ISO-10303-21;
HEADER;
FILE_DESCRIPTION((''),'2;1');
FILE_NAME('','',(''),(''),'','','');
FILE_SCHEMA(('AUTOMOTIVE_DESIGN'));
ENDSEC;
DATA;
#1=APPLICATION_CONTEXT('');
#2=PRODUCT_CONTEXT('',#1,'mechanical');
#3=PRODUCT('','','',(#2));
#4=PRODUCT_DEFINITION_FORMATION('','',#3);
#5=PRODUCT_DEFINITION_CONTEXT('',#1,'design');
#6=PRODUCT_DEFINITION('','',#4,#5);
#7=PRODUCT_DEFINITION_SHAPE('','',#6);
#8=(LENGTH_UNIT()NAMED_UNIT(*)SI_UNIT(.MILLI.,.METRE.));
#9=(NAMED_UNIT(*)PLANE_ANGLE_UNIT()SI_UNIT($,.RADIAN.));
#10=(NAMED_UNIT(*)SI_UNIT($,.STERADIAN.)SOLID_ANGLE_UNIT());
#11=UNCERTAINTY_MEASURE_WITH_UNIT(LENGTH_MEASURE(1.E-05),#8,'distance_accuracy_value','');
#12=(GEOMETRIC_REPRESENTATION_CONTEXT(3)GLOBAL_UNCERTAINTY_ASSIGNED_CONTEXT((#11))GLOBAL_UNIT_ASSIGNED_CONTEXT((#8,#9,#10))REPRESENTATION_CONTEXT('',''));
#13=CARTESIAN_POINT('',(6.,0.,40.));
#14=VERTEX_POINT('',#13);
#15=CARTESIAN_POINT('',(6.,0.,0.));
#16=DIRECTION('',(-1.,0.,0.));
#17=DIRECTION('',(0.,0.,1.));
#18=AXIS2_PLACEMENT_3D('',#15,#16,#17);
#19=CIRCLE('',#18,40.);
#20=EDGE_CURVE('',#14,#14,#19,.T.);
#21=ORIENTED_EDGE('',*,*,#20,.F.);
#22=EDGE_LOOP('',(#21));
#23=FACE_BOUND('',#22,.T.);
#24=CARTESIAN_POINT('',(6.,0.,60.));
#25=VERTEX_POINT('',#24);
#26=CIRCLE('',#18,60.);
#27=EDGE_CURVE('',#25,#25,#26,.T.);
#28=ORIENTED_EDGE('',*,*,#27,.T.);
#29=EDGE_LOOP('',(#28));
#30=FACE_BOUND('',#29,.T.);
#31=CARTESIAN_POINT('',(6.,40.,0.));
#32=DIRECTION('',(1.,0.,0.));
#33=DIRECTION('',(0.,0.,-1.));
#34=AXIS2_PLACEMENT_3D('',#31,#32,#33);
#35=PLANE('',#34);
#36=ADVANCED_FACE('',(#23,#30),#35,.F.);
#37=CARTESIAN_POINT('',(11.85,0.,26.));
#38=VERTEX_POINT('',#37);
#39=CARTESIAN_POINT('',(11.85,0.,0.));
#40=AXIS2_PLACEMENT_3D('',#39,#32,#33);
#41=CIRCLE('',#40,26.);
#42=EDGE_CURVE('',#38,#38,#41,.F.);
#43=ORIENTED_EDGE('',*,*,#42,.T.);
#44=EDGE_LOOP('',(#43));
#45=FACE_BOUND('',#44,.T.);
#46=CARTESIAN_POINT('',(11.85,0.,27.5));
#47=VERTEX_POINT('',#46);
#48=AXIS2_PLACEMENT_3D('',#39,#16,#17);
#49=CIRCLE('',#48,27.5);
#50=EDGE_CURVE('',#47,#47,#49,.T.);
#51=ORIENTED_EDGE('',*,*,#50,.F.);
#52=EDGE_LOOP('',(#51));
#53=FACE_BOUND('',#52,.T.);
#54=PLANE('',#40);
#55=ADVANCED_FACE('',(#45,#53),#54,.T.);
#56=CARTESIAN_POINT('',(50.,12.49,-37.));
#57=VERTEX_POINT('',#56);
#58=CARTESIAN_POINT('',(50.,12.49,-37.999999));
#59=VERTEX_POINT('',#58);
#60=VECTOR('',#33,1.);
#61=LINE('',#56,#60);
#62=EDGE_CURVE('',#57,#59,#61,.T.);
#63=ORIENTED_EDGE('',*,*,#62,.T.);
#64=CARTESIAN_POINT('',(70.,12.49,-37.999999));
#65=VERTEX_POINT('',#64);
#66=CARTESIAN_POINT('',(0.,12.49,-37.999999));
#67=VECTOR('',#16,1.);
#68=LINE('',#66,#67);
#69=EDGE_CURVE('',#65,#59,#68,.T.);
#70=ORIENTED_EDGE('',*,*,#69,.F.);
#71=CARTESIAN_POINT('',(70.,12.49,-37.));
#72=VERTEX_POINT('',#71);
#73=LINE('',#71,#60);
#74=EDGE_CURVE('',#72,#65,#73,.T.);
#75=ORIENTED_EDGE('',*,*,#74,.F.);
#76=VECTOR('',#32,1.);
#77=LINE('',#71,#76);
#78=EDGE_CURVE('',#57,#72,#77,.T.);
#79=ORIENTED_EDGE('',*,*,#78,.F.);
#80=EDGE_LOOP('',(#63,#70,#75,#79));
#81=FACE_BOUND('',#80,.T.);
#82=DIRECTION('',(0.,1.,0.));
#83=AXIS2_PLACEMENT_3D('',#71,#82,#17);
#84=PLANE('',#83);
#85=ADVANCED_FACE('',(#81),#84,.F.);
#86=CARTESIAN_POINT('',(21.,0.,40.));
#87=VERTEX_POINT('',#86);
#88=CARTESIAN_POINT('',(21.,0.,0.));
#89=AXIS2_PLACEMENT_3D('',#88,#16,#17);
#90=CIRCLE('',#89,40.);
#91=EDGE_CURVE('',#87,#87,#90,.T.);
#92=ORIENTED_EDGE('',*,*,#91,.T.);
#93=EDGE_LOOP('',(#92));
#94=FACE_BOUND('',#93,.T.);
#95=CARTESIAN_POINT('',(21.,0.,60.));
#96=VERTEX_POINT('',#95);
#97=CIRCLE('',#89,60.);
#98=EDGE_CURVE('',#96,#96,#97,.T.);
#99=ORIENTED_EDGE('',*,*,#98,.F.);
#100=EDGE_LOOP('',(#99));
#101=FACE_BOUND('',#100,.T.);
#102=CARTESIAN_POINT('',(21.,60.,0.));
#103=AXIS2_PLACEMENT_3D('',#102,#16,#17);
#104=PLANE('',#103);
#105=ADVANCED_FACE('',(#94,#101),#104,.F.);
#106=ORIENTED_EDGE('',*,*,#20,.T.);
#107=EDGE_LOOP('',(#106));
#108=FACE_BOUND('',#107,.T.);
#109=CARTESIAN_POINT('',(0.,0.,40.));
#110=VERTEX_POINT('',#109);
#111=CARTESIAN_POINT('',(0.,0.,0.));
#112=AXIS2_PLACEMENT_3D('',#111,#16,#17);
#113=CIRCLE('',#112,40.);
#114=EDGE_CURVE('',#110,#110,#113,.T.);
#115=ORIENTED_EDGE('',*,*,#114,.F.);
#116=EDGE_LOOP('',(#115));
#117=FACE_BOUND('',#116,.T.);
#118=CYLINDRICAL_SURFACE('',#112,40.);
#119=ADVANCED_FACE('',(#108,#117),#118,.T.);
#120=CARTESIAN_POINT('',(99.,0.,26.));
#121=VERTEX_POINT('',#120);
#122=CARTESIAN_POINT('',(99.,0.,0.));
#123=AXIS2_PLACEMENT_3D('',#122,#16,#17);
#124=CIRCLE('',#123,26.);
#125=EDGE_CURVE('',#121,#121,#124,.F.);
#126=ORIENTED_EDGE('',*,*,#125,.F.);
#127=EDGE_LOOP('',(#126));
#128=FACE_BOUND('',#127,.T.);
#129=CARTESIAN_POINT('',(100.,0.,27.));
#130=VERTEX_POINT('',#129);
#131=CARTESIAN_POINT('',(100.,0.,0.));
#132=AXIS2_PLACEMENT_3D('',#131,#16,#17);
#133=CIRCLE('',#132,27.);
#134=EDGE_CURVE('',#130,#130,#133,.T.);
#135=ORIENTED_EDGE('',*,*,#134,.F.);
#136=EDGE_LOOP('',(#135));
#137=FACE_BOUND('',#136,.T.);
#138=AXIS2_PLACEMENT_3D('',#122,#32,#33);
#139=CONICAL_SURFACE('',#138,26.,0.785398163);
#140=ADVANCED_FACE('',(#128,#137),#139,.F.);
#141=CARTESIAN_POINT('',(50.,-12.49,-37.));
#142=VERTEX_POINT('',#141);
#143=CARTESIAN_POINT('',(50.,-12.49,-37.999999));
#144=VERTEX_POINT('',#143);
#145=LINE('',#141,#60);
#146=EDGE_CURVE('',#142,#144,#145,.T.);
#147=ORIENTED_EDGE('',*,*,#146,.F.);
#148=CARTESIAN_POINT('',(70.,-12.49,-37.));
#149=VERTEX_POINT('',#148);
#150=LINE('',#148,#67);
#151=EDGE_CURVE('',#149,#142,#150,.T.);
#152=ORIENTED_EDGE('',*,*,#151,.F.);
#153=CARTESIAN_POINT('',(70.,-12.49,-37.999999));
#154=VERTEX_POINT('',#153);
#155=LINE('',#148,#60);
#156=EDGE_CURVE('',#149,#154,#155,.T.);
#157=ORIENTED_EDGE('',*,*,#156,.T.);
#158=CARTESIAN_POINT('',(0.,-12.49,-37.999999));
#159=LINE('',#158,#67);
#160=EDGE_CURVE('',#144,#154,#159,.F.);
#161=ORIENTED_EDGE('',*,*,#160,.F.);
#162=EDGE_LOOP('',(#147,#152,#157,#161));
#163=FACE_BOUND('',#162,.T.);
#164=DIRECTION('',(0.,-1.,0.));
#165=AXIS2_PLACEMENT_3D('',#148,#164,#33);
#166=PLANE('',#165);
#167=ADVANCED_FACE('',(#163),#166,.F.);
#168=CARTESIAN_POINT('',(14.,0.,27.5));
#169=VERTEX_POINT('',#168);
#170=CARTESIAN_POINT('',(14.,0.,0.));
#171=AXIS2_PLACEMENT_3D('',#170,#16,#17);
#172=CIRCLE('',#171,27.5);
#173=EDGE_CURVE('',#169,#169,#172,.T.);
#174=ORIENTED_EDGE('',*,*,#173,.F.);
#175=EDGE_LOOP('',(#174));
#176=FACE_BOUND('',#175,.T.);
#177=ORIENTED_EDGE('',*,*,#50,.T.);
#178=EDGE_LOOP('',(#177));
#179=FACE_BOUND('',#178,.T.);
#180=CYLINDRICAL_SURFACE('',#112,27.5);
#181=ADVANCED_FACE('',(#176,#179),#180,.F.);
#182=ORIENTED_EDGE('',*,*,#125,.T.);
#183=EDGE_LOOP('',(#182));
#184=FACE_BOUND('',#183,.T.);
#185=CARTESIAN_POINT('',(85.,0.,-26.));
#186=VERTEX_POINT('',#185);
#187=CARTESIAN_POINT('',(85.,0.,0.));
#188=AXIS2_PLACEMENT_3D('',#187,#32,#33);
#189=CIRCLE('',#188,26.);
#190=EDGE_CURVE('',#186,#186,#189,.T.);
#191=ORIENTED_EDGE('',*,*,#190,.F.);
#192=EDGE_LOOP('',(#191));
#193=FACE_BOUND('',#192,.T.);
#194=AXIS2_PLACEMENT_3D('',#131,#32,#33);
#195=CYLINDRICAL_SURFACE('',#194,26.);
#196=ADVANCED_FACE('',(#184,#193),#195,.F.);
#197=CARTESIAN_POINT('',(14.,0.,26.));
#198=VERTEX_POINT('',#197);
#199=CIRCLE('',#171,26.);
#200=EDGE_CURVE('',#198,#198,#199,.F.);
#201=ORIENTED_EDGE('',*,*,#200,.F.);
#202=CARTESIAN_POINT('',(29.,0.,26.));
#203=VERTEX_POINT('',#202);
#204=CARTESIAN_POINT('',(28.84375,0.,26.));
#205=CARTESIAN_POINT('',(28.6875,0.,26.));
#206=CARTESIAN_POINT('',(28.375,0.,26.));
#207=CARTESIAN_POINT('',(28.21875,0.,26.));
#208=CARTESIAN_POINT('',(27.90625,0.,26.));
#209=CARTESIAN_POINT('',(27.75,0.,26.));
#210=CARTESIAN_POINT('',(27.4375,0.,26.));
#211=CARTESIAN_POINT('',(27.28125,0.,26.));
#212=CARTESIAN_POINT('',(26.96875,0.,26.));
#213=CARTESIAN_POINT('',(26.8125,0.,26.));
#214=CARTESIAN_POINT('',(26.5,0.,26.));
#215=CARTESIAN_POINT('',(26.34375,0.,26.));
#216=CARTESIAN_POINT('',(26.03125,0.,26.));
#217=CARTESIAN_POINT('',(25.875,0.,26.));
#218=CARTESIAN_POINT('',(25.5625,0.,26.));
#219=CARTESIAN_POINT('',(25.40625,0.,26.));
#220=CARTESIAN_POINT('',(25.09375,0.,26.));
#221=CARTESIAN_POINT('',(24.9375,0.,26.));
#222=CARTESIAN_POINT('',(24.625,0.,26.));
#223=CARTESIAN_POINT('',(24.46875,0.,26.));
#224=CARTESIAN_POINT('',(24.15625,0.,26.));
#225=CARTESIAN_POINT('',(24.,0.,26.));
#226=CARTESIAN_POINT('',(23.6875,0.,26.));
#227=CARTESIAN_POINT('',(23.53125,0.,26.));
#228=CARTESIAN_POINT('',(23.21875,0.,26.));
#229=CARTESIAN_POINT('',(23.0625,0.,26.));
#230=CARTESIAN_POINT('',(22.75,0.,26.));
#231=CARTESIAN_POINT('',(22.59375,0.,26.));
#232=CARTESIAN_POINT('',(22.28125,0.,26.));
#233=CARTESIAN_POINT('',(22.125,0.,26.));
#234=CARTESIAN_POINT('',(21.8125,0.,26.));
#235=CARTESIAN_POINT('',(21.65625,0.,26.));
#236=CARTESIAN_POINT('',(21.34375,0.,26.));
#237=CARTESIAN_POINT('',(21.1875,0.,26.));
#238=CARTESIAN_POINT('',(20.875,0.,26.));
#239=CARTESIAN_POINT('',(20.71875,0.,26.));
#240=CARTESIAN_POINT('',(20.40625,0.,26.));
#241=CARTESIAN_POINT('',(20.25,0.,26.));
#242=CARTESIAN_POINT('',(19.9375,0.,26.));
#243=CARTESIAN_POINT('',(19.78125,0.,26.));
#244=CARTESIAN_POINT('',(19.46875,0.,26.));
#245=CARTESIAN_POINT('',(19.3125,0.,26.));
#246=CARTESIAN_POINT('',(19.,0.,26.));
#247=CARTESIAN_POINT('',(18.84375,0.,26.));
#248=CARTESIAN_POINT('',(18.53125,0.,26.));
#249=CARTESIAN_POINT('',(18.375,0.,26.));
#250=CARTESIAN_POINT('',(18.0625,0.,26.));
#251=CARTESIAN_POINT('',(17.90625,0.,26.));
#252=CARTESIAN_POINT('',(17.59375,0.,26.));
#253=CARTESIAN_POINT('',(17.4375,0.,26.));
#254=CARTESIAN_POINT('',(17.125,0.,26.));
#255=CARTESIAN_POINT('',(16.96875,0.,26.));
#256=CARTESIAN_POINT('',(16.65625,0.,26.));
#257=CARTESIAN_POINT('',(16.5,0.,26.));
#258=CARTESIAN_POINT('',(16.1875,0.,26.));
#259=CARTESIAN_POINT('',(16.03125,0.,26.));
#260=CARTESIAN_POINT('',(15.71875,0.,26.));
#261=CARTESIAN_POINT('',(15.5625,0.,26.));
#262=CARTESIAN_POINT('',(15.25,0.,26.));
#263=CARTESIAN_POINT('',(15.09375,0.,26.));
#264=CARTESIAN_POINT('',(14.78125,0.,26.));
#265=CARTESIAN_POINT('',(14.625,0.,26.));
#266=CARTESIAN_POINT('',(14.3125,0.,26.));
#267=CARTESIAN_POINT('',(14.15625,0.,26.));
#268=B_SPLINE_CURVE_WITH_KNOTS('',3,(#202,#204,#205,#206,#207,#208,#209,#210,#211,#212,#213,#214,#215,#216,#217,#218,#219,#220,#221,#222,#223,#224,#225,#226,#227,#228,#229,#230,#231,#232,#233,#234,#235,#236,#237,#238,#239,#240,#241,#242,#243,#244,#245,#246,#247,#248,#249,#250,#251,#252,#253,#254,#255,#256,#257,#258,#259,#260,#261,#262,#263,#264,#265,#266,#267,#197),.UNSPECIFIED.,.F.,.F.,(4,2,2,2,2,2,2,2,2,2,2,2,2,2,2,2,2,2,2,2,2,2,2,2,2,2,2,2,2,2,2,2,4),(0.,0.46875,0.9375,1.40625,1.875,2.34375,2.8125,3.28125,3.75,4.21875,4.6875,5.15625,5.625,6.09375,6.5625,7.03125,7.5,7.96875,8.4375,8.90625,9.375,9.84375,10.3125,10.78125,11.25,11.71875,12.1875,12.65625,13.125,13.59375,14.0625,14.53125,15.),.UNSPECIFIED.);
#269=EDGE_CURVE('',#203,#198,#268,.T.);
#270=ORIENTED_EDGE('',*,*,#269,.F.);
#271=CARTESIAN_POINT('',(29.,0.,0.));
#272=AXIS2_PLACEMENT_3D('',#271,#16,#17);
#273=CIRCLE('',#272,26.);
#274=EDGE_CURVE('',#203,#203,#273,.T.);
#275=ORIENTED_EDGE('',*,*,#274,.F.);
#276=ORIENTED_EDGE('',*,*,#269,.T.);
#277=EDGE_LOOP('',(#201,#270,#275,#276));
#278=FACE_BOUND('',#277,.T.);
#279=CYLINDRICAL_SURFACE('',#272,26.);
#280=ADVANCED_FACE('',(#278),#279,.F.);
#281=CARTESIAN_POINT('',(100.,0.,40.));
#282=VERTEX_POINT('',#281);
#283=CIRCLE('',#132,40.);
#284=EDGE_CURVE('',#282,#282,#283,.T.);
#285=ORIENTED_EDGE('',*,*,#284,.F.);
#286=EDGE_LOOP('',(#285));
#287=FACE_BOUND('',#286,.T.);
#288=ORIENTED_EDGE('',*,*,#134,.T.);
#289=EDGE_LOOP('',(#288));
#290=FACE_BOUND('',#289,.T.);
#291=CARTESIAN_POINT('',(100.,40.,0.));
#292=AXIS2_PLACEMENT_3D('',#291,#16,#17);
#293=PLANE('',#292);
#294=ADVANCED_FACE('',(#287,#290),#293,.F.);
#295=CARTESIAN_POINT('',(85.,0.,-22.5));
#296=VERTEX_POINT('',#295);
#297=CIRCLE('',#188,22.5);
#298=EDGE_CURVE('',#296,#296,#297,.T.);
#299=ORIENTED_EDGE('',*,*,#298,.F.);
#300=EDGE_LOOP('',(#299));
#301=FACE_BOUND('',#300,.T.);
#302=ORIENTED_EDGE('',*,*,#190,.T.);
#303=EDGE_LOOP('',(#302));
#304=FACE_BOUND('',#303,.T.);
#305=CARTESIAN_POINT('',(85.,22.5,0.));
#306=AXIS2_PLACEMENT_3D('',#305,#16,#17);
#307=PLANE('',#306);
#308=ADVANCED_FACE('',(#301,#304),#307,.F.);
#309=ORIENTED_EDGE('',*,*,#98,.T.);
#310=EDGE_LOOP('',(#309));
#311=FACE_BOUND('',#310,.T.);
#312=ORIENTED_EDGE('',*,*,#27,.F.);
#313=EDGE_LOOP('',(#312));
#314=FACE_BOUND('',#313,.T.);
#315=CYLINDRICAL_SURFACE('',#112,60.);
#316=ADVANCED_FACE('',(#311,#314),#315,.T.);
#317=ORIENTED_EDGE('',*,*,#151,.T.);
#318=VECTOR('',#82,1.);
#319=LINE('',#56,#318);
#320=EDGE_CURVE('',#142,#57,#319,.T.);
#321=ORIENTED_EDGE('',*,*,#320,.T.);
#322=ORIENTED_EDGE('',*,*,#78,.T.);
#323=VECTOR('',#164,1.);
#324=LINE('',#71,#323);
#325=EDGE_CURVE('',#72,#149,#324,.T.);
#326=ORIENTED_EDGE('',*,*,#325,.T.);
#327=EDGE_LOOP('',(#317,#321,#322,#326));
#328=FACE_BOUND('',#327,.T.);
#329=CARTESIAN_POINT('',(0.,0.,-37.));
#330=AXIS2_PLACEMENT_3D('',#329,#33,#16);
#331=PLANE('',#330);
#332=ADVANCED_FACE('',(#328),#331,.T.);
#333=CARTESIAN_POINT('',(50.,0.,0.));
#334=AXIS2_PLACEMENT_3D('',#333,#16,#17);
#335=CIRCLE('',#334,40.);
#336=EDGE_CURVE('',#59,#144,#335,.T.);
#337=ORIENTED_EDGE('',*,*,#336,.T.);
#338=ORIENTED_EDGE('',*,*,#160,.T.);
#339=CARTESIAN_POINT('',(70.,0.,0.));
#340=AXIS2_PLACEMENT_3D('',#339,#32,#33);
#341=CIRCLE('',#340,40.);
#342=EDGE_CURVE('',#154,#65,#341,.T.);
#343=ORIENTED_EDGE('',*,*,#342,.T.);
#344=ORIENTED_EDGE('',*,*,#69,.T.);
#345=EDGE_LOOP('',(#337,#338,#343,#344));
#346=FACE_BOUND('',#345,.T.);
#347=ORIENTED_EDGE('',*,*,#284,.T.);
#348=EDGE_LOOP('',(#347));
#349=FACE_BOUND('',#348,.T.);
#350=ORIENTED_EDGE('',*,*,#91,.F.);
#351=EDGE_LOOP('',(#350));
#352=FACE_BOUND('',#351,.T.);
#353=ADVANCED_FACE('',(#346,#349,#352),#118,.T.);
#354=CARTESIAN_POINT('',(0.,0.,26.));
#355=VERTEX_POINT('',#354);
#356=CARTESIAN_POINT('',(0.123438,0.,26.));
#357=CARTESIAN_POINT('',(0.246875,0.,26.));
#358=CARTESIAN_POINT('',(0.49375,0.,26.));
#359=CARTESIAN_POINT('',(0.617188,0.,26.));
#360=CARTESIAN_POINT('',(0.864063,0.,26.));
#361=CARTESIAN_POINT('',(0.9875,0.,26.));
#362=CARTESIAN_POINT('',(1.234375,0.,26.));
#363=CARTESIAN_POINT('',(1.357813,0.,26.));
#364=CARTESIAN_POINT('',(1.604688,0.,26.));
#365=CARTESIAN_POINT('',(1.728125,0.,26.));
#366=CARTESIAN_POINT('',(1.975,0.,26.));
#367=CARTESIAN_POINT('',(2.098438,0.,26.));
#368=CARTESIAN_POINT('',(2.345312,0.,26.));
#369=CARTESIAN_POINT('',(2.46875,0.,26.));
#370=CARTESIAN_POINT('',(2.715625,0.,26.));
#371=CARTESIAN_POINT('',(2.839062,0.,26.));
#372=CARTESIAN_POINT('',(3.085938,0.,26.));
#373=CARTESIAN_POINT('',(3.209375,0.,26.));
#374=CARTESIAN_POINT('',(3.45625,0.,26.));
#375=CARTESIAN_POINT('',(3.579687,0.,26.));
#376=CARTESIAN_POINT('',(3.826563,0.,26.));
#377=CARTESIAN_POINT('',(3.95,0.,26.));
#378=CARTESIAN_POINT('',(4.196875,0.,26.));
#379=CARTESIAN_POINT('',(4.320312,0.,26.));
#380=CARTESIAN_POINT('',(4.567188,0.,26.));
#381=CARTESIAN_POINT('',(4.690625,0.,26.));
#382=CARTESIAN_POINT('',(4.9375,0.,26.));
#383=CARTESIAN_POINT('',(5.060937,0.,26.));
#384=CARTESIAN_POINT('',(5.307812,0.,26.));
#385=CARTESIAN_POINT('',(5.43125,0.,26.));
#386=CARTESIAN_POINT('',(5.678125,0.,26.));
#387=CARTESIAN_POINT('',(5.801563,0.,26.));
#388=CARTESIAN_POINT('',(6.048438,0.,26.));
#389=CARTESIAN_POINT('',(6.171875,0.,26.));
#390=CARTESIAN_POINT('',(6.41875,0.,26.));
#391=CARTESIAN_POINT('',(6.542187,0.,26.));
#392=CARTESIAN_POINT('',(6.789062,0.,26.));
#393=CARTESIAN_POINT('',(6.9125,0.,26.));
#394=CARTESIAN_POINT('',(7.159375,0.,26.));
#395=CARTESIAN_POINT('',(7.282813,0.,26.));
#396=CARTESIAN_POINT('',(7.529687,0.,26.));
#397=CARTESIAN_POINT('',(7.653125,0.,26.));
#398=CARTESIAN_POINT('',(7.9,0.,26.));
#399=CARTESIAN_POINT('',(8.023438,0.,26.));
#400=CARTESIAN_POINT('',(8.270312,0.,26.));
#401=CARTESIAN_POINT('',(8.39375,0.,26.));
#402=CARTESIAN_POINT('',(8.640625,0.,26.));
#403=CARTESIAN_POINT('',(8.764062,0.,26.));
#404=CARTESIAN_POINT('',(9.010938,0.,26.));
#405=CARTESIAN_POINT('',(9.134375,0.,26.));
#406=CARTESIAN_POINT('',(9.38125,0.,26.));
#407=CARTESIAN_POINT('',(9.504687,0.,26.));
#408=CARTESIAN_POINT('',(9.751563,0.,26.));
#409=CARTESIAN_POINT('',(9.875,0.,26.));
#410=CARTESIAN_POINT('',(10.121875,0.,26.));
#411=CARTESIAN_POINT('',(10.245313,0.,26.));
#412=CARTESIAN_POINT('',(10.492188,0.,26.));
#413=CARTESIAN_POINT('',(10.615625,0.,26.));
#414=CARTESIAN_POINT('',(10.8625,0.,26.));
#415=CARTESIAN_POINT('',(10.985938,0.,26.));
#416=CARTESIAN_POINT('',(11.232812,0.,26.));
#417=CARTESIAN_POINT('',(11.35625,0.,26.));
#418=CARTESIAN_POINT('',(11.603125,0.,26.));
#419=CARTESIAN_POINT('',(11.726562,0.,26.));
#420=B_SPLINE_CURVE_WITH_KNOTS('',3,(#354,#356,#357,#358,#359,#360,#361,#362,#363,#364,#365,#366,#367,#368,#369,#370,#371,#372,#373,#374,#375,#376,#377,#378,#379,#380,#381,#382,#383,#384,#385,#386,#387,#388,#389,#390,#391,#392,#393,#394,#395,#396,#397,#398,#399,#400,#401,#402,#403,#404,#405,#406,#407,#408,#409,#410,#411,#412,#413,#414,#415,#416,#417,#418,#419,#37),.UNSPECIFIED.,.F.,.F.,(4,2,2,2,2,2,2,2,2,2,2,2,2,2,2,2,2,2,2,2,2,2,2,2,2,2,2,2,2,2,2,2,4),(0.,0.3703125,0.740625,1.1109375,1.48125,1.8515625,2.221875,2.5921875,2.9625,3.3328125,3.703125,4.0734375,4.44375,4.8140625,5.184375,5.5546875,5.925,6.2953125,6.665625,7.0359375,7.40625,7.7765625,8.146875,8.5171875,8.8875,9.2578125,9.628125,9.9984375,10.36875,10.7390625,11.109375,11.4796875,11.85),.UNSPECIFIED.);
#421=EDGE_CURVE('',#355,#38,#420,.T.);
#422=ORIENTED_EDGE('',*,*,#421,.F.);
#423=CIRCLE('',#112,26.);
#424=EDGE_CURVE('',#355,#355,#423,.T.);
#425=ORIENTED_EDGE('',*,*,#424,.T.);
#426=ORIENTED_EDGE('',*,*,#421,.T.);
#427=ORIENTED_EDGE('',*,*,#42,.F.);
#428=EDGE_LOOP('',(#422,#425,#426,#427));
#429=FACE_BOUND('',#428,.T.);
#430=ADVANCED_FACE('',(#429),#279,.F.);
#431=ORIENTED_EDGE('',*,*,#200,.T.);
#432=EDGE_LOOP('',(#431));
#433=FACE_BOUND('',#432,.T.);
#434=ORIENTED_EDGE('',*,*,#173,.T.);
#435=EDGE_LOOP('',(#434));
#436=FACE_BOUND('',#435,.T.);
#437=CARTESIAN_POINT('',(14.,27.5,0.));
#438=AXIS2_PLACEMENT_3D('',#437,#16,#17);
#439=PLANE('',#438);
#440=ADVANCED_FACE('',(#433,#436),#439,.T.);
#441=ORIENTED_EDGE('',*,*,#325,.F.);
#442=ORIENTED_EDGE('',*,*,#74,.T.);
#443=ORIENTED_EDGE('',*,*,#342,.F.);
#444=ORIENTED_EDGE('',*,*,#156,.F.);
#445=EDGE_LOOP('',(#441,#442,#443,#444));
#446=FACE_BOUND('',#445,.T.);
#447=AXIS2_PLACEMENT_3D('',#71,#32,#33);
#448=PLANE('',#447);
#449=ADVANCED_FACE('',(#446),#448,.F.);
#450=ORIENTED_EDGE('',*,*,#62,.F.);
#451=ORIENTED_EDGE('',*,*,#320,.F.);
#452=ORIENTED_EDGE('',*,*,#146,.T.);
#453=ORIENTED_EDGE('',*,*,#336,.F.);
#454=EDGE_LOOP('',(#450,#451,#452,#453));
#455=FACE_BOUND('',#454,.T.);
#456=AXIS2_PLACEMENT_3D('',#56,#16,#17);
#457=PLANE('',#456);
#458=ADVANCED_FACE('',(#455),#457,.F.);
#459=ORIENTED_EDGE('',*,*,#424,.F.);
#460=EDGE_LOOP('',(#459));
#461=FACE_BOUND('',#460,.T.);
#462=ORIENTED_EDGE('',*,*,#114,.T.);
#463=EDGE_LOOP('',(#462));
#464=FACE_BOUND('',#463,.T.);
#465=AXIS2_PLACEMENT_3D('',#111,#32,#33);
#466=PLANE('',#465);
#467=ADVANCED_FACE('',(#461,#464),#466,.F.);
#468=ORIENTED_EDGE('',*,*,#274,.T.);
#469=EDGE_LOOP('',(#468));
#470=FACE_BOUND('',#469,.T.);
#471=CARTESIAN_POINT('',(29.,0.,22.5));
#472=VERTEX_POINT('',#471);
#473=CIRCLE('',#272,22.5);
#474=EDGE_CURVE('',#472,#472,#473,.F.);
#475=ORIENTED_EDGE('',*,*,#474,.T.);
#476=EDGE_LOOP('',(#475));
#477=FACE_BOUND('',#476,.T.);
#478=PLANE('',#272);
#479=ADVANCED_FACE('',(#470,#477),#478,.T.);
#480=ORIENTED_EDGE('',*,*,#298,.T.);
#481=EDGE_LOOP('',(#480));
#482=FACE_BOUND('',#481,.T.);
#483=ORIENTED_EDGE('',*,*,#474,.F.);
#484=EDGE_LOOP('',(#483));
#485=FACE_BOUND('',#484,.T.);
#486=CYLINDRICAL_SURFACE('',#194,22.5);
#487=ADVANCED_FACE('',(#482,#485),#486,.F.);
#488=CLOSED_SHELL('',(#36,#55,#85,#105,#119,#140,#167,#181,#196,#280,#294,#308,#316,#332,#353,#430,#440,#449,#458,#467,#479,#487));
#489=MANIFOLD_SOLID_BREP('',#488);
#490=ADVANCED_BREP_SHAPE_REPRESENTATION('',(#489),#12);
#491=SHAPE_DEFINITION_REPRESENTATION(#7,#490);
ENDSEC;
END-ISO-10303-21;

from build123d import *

# Parameters (mm, degrees)
SKETCH2_W                                           = 20
SKETCH2_H                                           = 24.98
CUT_EXTRUDE1_DEPTH                                  = 3
CBORE_FOR_M5_HEX_SOCKET_HEAD_CAP_SCREW1_D           = 45
CBORE_FOR_M5_HEX_SOCKET_HEAD_CAP_SCREW1_CBORE_D     = 52
CBORE_FOR_M5_HEX_SOCKET_HEAD_CAP_SCREW1_CBORE_DEPTH = 15
CHAMFER1_SIZE                                       = 1
CUT_EXTRUDE2_START                                  = -29
SKETCH15_R                                          = 26
CUT_EXTRUDE2_DEPTH                                  = 29
SKETCH16_W                                          = 2.15
SKETCH16_H                                          = 27.5


with BuildPart() as part:
    # Sketch1 → Revolve1 (revolve)
    with BuildSketch(Plane.XY, mode=Mode.PRIVATE) as revolve1_sk:
        Polygon((0, 0), (0, 40), (6, 40), (6, 60), (21, 60), (21, 40), (100, 40), (100, 0), align=None)
    revolve(revolve1_sk.sketch.rotate(Axis((0, 0, 0), (1, 0, 0)), 90), axis=Axis((0, 0, 0), (1, 0, 0)))

    # Sketch2 → Cut-Extrude1 (cut)
    with BuildSketch(Plane(origin=(0, 0, -40), x_dir=(-1, 0, 0), z_dir=(0, 0, -1))):
        with Locations((-60, 0)):
            Rectangle(SKETCH2_W, SKETCH2_H)
    extrude(amount=-CUT_EXTRUDE1_DEPTH, mode=Mode.SUBTRACT)

    # CBORE for M5 Hex Socket Head Cap Screw1 (through all)
    with Locations(Plane(origin=(100, 0, 0), x_dir=(0, 0, -1), z_dir=(1, 0, 0))):
        with Locations((0, 0)):
            CounterBoreHole(CBORE_FOR_M5_HEX_SOCKET_HEAD_CAP_SCREW1_D / 2, CBORE_FOR_M5_HEX_SOCKET_HEAD_CAP_SCREW1_CBORE_D / 2, CBORE_FOR_M5_HEX_SOCKET_HEAD_CAP_SCREW1_CBORE_DEPTH)

    # Chamfer1
    chamfer1_edges = [part.edges().sort_by_distance(p)[0] for p in [
        (100, 0, 26),
    ]]
    chamfer(chamfer1_edges, length=CHAMFER1_SIZE)

    # Sketch15 → Cut-Extrude2 (cut)
    with BuildSketch(Plane.ZY.offset(CUT_EXTRUDE2_START)):
        with Locations(Location((0, 0, 0), (0, 0, 180))):
            Circle(SKETCH15_R)
    extrude(amount=CUT_EXTRUDE2_DEPTH, mode=Mode.SUBTRACT)

    # Sketch16 → Cut-Revolve1 (revolve, cut)
    with BuildSketch(Plane.XY, mode=Mode.PRIVATE) as cut_revolve1_sk:
        with Locations((12.925, 13.75)):
            Rectangle(SKETCH16_W, SKETCH16_H)
    revolve(cut_revolve1_sk.sketch.rotate(Axis((0, 0, 0), (1, 0, 0)), 90), axis=Axis((0, 0, 0), (1, 0, 0)), mode=Mode.SUBTRACT)


solid = part.part
